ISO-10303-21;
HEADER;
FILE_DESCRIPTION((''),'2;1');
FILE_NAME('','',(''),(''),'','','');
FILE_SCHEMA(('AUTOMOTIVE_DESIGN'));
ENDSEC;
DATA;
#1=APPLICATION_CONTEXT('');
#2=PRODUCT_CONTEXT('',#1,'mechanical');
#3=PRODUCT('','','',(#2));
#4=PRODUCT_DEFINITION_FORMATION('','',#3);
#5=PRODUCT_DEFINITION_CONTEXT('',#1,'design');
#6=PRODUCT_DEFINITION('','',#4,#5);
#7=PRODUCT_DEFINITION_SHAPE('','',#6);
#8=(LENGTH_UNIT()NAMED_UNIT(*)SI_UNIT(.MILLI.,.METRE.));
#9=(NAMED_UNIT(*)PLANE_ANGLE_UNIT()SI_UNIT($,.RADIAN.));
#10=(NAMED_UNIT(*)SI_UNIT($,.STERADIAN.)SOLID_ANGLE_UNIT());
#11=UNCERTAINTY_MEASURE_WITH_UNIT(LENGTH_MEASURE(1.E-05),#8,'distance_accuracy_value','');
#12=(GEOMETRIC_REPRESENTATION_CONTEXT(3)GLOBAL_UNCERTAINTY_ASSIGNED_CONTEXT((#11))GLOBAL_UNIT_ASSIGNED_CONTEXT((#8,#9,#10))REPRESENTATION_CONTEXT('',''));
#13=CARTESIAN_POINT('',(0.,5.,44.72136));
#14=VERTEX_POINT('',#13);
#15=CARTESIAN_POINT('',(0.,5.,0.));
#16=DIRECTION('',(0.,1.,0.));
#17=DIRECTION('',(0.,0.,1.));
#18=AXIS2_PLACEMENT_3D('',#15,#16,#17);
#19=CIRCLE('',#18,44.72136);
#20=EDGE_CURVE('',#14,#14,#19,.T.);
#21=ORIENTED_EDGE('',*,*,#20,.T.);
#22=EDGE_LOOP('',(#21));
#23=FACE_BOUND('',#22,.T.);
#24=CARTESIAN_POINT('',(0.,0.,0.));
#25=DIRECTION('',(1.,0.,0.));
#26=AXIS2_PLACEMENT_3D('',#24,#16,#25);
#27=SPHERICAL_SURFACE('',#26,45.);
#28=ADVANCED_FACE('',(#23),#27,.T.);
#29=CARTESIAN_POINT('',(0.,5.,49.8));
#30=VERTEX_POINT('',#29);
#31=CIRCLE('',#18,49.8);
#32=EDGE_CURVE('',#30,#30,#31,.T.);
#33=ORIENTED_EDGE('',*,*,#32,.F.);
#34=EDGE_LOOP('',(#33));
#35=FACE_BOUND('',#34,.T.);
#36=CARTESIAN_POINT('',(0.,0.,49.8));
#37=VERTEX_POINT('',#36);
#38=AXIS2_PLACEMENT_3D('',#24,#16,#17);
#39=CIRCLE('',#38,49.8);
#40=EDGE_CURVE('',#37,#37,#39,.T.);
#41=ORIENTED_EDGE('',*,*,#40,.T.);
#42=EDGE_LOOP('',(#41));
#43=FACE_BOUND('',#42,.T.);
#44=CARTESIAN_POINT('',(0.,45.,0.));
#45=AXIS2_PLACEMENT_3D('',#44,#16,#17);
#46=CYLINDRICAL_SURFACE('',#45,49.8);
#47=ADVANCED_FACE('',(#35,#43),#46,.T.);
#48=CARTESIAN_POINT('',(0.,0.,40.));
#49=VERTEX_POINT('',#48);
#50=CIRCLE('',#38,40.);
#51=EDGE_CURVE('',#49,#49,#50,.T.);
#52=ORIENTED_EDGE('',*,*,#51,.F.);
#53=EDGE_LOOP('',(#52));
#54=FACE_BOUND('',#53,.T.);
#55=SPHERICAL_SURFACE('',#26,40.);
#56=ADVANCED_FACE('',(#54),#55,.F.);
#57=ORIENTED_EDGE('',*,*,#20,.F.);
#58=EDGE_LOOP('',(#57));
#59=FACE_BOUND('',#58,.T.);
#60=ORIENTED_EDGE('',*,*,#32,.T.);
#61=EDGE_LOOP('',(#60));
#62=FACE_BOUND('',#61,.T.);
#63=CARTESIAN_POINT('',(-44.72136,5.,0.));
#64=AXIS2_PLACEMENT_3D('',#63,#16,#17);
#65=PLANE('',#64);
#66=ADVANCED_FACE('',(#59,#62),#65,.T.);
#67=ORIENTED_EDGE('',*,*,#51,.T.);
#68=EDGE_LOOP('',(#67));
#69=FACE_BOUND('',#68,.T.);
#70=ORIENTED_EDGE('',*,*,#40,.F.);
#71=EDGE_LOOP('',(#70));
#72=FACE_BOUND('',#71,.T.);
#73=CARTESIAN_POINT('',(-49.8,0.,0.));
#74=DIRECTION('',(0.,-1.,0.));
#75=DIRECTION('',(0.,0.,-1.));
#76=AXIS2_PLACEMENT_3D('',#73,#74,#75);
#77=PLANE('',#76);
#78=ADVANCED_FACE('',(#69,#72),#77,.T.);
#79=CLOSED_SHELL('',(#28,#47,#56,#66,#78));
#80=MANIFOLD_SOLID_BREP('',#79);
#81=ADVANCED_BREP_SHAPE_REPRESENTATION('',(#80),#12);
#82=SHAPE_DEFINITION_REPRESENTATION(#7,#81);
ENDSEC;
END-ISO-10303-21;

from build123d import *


with BuildPart() as part:
    # 草图1 → 旋转1 (revolve)
    with BuildSketch(Plane.XY, mode=Mode.PRIVATE) as revolve_1_sk:
        with BuildLine():
            Line((-49.8, 0), (-40, 0))
            ThreePointArc((-40, 0), (-28.284271247, 28.284271247), (0, 40))
            Line((0, 40), (0, 45))
            ThreePointArc((0, 45), (-30, 33.541019662), (-44.72135955, 5))
            Line((-44.72135955, 5), (-49.8, 5))
            Line((-49.8, 5), (-49.8, 0))
        make_face()
    revolve(revolve_1_sk.sketch.rotate(Axis((0, 45, 0), (0, -1, 0)), 180), axis=Axis((0, 45, 0), (0, -1, 0)))


solid = part.part
